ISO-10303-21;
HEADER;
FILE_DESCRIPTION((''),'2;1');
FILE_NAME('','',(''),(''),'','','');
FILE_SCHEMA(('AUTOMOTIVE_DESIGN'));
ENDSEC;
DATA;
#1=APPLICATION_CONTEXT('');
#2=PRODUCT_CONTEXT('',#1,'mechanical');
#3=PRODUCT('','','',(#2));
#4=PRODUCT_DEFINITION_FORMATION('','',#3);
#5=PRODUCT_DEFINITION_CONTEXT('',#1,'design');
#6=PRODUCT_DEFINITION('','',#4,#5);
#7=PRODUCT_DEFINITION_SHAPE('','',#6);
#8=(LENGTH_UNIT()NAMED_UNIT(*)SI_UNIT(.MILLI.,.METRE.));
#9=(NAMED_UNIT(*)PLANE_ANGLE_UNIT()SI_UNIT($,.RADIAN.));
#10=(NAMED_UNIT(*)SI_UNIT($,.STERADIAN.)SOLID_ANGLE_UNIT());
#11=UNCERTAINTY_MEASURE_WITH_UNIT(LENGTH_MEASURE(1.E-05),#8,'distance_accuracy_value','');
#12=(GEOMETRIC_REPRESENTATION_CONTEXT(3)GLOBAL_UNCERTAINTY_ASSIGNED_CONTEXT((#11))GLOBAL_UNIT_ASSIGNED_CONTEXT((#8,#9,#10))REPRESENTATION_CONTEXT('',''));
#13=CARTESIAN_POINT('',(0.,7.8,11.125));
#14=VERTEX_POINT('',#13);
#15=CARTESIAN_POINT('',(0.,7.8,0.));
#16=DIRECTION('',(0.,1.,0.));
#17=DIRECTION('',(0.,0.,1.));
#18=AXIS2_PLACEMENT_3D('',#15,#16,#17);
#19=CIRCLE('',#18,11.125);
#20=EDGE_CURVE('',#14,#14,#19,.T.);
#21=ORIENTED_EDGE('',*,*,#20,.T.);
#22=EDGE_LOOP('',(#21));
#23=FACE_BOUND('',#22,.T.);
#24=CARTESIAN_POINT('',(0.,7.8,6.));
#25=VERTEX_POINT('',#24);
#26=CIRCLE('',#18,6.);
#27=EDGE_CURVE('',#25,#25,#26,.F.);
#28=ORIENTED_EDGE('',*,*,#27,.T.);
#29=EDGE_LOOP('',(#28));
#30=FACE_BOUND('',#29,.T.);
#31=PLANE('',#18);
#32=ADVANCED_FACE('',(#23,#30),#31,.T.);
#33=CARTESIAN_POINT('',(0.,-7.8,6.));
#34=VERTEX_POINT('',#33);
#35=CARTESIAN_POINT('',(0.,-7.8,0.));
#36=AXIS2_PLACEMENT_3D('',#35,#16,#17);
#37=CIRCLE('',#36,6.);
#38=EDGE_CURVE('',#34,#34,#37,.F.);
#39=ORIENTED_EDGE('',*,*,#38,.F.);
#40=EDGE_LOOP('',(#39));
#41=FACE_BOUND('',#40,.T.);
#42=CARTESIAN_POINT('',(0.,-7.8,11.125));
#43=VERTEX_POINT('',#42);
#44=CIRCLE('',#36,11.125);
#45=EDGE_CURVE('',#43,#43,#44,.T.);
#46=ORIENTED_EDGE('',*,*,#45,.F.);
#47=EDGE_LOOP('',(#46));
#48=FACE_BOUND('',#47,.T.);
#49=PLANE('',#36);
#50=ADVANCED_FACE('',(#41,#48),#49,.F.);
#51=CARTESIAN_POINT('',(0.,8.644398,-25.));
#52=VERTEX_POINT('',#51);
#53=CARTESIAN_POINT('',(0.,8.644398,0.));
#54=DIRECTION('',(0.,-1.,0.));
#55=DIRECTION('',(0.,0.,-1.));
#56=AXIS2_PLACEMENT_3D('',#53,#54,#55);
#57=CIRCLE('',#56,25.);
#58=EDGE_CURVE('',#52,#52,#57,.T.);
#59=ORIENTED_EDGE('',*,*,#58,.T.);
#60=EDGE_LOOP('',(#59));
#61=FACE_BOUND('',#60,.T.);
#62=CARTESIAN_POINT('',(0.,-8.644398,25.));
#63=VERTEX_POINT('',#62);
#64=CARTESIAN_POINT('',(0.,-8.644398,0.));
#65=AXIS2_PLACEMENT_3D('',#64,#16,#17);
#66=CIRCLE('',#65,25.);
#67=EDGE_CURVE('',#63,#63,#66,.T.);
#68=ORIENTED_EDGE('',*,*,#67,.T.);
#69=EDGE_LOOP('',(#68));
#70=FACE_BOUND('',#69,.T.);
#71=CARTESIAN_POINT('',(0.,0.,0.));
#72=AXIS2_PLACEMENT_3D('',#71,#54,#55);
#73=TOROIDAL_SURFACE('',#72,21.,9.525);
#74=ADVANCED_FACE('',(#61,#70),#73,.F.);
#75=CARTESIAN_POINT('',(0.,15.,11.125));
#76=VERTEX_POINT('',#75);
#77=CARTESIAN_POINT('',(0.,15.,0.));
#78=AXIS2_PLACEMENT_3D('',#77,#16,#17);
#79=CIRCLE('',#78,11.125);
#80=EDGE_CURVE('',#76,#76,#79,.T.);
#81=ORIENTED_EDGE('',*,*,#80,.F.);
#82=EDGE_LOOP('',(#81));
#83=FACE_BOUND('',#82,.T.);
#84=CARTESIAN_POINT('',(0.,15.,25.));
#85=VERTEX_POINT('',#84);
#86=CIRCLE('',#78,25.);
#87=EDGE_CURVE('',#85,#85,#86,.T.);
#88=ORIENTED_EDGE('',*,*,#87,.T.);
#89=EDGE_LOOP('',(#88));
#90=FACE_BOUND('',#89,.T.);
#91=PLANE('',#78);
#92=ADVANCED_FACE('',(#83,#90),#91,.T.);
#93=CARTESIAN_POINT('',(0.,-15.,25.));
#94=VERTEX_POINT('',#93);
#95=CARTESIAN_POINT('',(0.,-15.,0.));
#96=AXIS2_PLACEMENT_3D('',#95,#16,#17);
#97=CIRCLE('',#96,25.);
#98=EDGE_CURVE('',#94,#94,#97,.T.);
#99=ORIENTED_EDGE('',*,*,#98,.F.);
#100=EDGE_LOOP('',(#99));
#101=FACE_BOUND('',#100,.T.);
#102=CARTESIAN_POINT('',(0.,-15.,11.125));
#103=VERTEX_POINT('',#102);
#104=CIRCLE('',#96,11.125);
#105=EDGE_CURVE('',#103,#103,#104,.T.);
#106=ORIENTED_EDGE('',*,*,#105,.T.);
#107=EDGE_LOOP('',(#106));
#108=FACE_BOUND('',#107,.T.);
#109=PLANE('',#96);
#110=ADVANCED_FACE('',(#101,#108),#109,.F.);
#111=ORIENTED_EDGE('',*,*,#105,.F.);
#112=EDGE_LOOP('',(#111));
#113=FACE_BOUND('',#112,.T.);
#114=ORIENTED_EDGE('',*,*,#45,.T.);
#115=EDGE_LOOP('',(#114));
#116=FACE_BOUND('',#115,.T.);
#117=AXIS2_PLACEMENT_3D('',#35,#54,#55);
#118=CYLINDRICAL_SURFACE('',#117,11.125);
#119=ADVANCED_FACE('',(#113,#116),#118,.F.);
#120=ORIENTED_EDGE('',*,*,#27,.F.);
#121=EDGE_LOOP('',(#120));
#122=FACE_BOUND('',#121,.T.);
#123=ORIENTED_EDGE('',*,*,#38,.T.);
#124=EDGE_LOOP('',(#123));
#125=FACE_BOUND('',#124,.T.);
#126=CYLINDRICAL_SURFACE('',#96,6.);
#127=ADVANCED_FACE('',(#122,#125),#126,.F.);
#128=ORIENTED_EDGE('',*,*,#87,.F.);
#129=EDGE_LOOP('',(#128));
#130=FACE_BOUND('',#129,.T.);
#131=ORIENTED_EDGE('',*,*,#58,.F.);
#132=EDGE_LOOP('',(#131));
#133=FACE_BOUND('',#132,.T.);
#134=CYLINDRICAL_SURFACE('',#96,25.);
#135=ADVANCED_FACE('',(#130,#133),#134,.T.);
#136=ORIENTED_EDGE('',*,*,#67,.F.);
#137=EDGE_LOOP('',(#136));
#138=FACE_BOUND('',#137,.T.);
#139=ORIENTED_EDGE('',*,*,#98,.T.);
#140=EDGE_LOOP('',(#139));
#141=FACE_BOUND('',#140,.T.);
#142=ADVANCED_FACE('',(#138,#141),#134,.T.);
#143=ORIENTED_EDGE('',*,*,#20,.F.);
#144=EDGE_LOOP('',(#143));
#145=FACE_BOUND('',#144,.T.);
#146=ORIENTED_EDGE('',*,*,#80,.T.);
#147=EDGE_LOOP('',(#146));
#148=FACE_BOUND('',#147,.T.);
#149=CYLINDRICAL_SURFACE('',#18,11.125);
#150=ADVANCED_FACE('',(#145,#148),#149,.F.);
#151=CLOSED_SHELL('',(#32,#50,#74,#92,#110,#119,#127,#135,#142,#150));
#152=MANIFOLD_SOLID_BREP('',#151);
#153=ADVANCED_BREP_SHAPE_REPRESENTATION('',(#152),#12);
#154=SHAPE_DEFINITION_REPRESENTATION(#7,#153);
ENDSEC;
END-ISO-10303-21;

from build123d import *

# Parameters (mm, degrees)
BOSS_EXTRUDE1_DEPTH      = 15
BOSS_EXTRUDE1_DEPTH_BACK = 15
SKETCH1_R                = 25
SKETCH1_R_2              = 6
SKETCH2_R                = 9.525
CUT_EXTRUDE1_START       = 15
SKETCH3_R                = 11.125
CUT_EXTRUDE1_DEPTH       = 7.2
CUT_EXTRUDE2_START       = -7.8
SKETCH4_R                = 11.125
CUT_EXTRUDE2_DEPTH       = 7.2


with BuildPart() as part:
    # Sketch1 → Boss-Extrude1 (new, two sides: drawn at the far end of the back side and taken through both)
    with BuildSketch(Plane(origin=(0, 0, 0), x_dir=(1, 0, 0), z_dir=(0, 1, 0)).offset(-BOSS_EXTRUDE1_DEPTH_BACK)):
        with Locations(Location((0, 0, 0), (0, 0, 270))):
            Circle(SKETCH1_R)
        with Locations(Location((0, 0, 0), (0, 0, 270))):
            Circle(SKETCH1_R_2, mode=Mode.SUBTRACT)
    extrude(amount=BOSS_EXTRUDE1_DEPTH + BOSS_EXTRUDE1_DEPTH_BACK)

    # Sketch2 → Cut-Revolve1 (revolve, cut)
    with BuildSketch(Plane(origin=(0, 0, 0), x_dir=(0, 0, -1), z_dir=(1, 0, 0)), mode=Mode.PRIVATE) as cut_revolve1_sk:
        with Locations((21, 0)):
            Circle(SKETCH2_R)
    revolve(cut_revolve1_sk.sketch.rotate(Axis((0, 0, 0), (0, 1, 0)), 180), axis=Axis((0, 0, 0), (0, 1, 0)), mode=Mode.SUBTRACT)

    # Sketch3 → Cut-Extrude1 (cut)
    with BuildSketch(Plane(origin=(0, 0, 0), x_dir=(1, 0, 0), z_dir=(0, 1, 0)).offset(CUT_EXTRUDE1_START)):
        with Locations(Location((0, 0, 0), (0, 0, 270))):
            Circle(SKETCH3_R)
    extrude(amount=-CUT_EXTRUDE1_DEPTH, mode=Mode.SUBTRACT)

    # Sketch4 → Cut-Extrude2 (cut)
    with BuildSketch(Plane(origin=(0, 0, 0), x_dir=(1, 0, 0), z_dir=(0, 1, 0)).offset(CUT_EXTRUDE2_START)):
        with Locations(Location((0, 0, 0), (0, 0, 270))):
            Circle(SKETCH4_R)
    extrude(amount=-CUT_EXTRUDE2_DEPTH, mode=Mode.SUBTRACT)


solid = part.part
